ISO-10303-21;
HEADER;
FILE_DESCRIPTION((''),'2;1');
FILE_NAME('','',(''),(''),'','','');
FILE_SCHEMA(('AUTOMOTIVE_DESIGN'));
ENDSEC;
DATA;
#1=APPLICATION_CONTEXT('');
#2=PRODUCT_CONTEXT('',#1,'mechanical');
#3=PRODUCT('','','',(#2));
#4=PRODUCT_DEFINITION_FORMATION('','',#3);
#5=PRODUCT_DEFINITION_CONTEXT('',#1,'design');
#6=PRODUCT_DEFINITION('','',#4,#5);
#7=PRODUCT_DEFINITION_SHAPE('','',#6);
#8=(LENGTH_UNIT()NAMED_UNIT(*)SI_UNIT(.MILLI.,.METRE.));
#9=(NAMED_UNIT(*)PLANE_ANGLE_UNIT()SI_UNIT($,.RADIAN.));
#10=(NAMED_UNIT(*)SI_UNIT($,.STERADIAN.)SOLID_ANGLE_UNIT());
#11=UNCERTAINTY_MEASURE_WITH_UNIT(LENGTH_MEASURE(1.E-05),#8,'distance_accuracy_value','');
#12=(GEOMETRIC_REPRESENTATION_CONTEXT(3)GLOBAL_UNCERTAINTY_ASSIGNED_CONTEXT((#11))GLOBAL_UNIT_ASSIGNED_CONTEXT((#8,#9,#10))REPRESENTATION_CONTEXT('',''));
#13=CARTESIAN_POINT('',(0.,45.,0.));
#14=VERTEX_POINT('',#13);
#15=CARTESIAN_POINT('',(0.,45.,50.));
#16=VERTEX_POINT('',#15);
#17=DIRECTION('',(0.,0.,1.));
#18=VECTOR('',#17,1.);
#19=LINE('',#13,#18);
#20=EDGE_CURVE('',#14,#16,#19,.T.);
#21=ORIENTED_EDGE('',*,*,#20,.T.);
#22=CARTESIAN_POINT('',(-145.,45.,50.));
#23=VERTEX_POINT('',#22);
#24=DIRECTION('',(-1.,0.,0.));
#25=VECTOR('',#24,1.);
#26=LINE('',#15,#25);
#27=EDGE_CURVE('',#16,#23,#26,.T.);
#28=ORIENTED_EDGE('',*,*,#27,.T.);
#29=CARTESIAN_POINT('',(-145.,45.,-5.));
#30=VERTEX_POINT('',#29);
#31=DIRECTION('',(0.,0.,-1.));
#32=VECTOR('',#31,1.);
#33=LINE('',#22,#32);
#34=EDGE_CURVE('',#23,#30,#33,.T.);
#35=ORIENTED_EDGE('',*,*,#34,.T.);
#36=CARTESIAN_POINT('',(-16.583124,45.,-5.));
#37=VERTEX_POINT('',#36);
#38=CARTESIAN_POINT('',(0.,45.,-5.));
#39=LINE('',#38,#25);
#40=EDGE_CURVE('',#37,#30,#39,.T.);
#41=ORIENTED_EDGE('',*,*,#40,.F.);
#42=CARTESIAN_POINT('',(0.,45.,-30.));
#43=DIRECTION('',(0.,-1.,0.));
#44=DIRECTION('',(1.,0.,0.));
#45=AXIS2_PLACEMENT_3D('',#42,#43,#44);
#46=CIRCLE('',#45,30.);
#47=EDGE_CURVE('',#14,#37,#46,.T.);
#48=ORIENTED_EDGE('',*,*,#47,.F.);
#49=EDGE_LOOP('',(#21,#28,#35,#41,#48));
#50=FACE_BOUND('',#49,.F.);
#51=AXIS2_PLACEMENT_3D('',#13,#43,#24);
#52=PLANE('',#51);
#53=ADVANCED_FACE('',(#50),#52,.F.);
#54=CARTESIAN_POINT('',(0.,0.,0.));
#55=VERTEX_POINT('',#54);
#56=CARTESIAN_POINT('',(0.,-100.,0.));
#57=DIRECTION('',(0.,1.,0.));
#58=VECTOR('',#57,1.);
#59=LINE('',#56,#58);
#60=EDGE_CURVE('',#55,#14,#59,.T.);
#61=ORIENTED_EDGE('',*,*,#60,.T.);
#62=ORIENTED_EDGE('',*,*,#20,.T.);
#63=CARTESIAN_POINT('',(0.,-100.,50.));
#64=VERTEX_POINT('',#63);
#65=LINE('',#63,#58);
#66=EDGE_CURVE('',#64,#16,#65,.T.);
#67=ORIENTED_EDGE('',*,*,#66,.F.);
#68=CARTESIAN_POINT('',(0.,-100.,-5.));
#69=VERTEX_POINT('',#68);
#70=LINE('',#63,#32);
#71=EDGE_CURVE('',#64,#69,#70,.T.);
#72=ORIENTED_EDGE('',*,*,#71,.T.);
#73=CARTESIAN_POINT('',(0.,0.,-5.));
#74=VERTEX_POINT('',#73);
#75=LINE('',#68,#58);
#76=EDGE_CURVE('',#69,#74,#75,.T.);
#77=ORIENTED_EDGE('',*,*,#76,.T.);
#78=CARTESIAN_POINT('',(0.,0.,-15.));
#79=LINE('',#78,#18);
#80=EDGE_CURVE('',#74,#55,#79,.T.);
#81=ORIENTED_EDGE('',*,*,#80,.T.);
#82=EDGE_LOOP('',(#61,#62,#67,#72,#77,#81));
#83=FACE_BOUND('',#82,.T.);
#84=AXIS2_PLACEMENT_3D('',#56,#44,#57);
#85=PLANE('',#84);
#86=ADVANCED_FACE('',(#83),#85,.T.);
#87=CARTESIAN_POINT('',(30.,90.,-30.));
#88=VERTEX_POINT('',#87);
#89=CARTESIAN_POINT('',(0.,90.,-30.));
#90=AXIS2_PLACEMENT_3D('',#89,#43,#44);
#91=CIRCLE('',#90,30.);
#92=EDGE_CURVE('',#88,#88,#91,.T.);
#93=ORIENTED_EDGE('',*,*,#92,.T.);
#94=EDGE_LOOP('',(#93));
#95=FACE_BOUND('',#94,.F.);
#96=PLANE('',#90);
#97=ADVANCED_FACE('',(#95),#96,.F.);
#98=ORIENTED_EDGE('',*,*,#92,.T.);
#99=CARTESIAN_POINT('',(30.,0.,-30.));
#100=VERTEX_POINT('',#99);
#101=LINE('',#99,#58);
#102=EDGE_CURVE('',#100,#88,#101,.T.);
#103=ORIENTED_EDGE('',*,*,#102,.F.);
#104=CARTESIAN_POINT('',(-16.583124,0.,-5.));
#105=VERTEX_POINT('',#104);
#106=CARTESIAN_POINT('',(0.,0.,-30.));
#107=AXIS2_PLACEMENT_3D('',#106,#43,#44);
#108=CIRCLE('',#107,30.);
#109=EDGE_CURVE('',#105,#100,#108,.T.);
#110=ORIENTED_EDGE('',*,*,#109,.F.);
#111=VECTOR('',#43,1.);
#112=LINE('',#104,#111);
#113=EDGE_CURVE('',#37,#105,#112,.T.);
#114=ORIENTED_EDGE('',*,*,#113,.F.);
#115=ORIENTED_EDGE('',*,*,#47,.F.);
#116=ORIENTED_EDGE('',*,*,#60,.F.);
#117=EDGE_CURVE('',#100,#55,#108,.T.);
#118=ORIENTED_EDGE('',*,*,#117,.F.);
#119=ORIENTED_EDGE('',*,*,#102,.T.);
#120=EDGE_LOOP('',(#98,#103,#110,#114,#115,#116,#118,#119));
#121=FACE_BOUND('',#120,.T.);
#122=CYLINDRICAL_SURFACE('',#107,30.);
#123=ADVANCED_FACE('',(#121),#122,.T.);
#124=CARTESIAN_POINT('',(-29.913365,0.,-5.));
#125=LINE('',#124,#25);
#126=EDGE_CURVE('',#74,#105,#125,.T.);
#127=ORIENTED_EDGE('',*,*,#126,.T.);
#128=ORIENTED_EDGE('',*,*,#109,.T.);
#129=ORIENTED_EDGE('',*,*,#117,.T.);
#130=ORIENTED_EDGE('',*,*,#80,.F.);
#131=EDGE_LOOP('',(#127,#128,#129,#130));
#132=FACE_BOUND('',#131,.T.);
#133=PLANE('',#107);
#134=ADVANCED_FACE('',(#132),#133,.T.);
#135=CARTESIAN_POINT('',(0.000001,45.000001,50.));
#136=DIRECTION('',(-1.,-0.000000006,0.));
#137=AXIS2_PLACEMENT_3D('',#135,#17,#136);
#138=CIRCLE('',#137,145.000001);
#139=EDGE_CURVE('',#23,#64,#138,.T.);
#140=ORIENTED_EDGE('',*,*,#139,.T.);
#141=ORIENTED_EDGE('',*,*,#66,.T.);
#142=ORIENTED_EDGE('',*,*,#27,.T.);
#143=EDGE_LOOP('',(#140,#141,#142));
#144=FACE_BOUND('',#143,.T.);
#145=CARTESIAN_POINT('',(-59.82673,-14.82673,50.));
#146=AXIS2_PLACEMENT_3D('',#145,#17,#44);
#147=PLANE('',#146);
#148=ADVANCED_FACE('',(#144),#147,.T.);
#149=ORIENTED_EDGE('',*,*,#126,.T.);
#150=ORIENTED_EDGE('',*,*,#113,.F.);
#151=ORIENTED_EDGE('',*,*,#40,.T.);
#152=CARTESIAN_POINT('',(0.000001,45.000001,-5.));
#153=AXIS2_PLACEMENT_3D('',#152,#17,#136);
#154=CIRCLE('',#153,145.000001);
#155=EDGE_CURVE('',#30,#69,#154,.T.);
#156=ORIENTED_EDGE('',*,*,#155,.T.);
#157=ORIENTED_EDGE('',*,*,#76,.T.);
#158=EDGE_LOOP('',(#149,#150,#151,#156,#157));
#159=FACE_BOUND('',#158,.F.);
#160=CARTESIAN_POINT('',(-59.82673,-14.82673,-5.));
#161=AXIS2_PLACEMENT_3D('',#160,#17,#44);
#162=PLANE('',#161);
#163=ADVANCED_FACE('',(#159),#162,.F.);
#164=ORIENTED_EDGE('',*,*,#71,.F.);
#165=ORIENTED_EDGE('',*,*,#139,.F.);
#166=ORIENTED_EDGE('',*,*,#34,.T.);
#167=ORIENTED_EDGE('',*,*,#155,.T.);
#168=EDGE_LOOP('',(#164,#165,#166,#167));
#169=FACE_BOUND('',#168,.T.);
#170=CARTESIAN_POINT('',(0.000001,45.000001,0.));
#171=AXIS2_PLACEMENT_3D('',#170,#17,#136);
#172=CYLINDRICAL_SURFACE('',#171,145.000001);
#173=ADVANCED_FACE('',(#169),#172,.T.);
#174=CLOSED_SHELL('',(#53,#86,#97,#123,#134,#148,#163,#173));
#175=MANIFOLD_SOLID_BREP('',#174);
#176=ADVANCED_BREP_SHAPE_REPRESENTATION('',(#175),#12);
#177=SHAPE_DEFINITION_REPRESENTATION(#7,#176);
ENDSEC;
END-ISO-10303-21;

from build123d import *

# Parameters (mm, degrees)
F0_R          = 30
F1_DEPTH      = 90
F3_DEPTH      = 50
F3_DEPTH_BACK = 5


with BuildPart() as f1:
    # F0 (on Front) → F1 (new body)
    with BuildSketch(Plane.XZ):
        with Locations((0, -30)):
            Circle(F0_R)
    extrude(amount=-F1_DEPTH)

    # F2 (on Top) → F3 (join, two sides)
    with BuildSketch(Plane.XY) as f3_sk:
        with BuildLine():
            Line((0, -100), (0, 45))
            Line((0, 45), (-145, 45))
            ThreePointArc((-145, 45), (-102.530483, -57.530483), (0, -100))
        make_face()
    extrude(amount=F3_DEPTH)
    extrude(f3_sk.sketch, amount=-F3_DEPTH_BACK)


solid = f1.part
